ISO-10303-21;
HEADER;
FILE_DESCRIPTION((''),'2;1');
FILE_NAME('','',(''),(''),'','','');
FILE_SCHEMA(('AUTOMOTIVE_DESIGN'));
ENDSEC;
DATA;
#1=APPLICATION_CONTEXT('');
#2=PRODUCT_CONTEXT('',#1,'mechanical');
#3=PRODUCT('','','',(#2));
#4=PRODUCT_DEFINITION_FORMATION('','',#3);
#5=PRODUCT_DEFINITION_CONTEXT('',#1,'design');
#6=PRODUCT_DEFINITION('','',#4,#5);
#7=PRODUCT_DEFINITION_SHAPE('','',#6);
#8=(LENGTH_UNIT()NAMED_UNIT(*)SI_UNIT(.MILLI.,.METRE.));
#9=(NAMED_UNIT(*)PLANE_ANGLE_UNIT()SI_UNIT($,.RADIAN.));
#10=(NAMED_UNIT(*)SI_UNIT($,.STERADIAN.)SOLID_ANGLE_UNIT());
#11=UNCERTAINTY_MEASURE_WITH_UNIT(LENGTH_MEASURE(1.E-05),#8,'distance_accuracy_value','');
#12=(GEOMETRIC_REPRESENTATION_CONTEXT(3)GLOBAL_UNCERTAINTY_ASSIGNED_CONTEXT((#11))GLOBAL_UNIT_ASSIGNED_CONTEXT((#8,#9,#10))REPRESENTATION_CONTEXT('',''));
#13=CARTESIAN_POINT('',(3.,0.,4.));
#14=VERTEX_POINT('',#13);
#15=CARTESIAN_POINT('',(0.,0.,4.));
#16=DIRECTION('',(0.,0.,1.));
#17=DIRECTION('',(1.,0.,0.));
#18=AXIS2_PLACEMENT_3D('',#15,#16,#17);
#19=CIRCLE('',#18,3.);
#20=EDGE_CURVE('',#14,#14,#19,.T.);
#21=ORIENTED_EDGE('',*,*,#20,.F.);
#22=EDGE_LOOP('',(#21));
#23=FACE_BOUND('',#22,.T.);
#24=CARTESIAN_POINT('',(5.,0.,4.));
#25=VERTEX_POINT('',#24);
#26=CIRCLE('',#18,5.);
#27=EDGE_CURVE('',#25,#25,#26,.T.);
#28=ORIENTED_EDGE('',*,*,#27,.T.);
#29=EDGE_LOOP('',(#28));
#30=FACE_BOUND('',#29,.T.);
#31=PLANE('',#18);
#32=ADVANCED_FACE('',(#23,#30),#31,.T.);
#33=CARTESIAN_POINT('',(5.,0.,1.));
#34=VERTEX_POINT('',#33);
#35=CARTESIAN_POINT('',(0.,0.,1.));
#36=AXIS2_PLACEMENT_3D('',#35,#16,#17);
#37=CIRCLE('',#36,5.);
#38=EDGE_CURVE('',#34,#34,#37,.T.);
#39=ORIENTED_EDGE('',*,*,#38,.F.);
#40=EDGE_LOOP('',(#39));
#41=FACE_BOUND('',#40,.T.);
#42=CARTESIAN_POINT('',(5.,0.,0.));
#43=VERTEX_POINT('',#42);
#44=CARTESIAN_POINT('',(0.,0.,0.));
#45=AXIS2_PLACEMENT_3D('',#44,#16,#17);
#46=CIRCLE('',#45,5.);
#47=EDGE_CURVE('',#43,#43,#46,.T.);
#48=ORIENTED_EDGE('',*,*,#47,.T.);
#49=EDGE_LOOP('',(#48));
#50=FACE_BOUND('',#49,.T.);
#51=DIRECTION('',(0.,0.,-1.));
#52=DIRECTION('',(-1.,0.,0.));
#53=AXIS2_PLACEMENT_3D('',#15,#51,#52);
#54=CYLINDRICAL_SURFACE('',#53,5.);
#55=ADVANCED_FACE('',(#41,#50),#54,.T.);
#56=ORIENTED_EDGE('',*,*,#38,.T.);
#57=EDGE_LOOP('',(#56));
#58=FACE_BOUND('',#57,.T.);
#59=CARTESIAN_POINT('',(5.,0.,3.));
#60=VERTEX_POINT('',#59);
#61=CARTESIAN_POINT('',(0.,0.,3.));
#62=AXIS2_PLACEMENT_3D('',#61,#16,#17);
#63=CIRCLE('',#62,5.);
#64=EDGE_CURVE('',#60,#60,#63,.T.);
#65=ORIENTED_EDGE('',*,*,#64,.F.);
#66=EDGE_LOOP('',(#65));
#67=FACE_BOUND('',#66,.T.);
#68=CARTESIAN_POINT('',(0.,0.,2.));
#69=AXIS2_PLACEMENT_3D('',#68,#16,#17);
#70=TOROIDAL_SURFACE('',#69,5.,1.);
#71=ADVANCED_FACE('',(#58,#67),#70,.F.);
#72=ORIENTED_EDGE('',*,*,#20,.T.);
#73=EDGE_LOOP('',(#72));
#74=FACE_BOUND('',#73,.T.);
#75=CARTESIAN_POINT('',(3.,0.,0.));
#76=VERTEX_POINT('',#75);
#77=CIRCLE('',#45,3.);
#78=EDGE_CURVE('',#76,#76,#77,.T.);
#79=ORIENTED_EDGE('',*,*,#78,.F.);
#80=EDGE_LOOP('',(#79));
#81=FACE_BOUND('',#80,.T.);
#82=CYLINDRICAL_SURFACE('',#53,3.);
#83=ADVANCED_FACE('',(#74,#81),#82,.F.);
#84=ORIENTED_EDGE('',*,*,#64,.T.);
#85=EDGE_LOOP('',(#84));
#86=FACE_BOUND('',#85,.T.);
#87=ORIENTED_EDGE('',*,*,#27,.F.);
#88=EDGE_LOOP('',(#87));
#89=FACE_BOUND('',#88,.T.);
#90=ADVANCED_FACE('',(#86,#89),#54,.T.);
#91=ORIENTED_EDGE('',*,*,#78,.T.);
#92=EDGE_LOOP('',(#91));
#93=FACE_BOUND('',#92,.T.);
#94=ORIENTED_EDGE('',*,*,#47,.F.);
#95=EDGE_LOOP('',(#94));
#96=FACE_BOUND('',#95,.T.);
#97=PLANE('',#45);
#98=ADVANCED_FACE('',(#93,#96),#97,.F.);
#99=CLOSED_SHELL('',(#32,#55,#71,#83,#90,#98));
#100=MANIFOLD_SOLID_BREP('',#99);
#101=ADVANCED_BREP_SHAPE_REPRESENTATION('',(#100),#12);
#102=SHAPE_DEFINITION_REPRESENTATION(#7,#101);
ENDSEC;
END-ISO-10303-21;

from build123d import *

# Parameters (mm, degrees)
SKETCH1_R           = 5
SKETCH1_R_2         = 3
BOSS_EXTRUDE1_DEPTH = 4


with BuildPart() as part:
    # Sketch1 → Boss-Extrude1 (new body)
    with BuildSketch(Plane.XY):
        Circle(SKETCH1_R)
        Circle(SKETCH1_R_2, mode=Mode.SUBTRACT)
    extrude(amount=BOSS_EXTRUDE1_DEPTH)

    # Sketch2 → Cut-Revolve1 (revolve, cut)
    with BuildSketch(Plane(origin=(0, 0, 0), x_dir=(0, 0, -1), z_dir=(1, 0, 0)), mode=Mode.PRIVATE) as cut_revolve1_sk:
        with BuildLine():
            Line((-3, 5), (-1, 5))
            ThreePointArc((-1, 5), (-2, 4), (-3, 5))
        make_face()
    revolve(cut_revolve1_sk.sketch.rotate(Axis((0, 0, 4), (0, 0, -1)), 90), axis=Axis((0, 0, 4), (0, 0, -1)), mode=Mode.SUBTRACT)


solid = part.part
